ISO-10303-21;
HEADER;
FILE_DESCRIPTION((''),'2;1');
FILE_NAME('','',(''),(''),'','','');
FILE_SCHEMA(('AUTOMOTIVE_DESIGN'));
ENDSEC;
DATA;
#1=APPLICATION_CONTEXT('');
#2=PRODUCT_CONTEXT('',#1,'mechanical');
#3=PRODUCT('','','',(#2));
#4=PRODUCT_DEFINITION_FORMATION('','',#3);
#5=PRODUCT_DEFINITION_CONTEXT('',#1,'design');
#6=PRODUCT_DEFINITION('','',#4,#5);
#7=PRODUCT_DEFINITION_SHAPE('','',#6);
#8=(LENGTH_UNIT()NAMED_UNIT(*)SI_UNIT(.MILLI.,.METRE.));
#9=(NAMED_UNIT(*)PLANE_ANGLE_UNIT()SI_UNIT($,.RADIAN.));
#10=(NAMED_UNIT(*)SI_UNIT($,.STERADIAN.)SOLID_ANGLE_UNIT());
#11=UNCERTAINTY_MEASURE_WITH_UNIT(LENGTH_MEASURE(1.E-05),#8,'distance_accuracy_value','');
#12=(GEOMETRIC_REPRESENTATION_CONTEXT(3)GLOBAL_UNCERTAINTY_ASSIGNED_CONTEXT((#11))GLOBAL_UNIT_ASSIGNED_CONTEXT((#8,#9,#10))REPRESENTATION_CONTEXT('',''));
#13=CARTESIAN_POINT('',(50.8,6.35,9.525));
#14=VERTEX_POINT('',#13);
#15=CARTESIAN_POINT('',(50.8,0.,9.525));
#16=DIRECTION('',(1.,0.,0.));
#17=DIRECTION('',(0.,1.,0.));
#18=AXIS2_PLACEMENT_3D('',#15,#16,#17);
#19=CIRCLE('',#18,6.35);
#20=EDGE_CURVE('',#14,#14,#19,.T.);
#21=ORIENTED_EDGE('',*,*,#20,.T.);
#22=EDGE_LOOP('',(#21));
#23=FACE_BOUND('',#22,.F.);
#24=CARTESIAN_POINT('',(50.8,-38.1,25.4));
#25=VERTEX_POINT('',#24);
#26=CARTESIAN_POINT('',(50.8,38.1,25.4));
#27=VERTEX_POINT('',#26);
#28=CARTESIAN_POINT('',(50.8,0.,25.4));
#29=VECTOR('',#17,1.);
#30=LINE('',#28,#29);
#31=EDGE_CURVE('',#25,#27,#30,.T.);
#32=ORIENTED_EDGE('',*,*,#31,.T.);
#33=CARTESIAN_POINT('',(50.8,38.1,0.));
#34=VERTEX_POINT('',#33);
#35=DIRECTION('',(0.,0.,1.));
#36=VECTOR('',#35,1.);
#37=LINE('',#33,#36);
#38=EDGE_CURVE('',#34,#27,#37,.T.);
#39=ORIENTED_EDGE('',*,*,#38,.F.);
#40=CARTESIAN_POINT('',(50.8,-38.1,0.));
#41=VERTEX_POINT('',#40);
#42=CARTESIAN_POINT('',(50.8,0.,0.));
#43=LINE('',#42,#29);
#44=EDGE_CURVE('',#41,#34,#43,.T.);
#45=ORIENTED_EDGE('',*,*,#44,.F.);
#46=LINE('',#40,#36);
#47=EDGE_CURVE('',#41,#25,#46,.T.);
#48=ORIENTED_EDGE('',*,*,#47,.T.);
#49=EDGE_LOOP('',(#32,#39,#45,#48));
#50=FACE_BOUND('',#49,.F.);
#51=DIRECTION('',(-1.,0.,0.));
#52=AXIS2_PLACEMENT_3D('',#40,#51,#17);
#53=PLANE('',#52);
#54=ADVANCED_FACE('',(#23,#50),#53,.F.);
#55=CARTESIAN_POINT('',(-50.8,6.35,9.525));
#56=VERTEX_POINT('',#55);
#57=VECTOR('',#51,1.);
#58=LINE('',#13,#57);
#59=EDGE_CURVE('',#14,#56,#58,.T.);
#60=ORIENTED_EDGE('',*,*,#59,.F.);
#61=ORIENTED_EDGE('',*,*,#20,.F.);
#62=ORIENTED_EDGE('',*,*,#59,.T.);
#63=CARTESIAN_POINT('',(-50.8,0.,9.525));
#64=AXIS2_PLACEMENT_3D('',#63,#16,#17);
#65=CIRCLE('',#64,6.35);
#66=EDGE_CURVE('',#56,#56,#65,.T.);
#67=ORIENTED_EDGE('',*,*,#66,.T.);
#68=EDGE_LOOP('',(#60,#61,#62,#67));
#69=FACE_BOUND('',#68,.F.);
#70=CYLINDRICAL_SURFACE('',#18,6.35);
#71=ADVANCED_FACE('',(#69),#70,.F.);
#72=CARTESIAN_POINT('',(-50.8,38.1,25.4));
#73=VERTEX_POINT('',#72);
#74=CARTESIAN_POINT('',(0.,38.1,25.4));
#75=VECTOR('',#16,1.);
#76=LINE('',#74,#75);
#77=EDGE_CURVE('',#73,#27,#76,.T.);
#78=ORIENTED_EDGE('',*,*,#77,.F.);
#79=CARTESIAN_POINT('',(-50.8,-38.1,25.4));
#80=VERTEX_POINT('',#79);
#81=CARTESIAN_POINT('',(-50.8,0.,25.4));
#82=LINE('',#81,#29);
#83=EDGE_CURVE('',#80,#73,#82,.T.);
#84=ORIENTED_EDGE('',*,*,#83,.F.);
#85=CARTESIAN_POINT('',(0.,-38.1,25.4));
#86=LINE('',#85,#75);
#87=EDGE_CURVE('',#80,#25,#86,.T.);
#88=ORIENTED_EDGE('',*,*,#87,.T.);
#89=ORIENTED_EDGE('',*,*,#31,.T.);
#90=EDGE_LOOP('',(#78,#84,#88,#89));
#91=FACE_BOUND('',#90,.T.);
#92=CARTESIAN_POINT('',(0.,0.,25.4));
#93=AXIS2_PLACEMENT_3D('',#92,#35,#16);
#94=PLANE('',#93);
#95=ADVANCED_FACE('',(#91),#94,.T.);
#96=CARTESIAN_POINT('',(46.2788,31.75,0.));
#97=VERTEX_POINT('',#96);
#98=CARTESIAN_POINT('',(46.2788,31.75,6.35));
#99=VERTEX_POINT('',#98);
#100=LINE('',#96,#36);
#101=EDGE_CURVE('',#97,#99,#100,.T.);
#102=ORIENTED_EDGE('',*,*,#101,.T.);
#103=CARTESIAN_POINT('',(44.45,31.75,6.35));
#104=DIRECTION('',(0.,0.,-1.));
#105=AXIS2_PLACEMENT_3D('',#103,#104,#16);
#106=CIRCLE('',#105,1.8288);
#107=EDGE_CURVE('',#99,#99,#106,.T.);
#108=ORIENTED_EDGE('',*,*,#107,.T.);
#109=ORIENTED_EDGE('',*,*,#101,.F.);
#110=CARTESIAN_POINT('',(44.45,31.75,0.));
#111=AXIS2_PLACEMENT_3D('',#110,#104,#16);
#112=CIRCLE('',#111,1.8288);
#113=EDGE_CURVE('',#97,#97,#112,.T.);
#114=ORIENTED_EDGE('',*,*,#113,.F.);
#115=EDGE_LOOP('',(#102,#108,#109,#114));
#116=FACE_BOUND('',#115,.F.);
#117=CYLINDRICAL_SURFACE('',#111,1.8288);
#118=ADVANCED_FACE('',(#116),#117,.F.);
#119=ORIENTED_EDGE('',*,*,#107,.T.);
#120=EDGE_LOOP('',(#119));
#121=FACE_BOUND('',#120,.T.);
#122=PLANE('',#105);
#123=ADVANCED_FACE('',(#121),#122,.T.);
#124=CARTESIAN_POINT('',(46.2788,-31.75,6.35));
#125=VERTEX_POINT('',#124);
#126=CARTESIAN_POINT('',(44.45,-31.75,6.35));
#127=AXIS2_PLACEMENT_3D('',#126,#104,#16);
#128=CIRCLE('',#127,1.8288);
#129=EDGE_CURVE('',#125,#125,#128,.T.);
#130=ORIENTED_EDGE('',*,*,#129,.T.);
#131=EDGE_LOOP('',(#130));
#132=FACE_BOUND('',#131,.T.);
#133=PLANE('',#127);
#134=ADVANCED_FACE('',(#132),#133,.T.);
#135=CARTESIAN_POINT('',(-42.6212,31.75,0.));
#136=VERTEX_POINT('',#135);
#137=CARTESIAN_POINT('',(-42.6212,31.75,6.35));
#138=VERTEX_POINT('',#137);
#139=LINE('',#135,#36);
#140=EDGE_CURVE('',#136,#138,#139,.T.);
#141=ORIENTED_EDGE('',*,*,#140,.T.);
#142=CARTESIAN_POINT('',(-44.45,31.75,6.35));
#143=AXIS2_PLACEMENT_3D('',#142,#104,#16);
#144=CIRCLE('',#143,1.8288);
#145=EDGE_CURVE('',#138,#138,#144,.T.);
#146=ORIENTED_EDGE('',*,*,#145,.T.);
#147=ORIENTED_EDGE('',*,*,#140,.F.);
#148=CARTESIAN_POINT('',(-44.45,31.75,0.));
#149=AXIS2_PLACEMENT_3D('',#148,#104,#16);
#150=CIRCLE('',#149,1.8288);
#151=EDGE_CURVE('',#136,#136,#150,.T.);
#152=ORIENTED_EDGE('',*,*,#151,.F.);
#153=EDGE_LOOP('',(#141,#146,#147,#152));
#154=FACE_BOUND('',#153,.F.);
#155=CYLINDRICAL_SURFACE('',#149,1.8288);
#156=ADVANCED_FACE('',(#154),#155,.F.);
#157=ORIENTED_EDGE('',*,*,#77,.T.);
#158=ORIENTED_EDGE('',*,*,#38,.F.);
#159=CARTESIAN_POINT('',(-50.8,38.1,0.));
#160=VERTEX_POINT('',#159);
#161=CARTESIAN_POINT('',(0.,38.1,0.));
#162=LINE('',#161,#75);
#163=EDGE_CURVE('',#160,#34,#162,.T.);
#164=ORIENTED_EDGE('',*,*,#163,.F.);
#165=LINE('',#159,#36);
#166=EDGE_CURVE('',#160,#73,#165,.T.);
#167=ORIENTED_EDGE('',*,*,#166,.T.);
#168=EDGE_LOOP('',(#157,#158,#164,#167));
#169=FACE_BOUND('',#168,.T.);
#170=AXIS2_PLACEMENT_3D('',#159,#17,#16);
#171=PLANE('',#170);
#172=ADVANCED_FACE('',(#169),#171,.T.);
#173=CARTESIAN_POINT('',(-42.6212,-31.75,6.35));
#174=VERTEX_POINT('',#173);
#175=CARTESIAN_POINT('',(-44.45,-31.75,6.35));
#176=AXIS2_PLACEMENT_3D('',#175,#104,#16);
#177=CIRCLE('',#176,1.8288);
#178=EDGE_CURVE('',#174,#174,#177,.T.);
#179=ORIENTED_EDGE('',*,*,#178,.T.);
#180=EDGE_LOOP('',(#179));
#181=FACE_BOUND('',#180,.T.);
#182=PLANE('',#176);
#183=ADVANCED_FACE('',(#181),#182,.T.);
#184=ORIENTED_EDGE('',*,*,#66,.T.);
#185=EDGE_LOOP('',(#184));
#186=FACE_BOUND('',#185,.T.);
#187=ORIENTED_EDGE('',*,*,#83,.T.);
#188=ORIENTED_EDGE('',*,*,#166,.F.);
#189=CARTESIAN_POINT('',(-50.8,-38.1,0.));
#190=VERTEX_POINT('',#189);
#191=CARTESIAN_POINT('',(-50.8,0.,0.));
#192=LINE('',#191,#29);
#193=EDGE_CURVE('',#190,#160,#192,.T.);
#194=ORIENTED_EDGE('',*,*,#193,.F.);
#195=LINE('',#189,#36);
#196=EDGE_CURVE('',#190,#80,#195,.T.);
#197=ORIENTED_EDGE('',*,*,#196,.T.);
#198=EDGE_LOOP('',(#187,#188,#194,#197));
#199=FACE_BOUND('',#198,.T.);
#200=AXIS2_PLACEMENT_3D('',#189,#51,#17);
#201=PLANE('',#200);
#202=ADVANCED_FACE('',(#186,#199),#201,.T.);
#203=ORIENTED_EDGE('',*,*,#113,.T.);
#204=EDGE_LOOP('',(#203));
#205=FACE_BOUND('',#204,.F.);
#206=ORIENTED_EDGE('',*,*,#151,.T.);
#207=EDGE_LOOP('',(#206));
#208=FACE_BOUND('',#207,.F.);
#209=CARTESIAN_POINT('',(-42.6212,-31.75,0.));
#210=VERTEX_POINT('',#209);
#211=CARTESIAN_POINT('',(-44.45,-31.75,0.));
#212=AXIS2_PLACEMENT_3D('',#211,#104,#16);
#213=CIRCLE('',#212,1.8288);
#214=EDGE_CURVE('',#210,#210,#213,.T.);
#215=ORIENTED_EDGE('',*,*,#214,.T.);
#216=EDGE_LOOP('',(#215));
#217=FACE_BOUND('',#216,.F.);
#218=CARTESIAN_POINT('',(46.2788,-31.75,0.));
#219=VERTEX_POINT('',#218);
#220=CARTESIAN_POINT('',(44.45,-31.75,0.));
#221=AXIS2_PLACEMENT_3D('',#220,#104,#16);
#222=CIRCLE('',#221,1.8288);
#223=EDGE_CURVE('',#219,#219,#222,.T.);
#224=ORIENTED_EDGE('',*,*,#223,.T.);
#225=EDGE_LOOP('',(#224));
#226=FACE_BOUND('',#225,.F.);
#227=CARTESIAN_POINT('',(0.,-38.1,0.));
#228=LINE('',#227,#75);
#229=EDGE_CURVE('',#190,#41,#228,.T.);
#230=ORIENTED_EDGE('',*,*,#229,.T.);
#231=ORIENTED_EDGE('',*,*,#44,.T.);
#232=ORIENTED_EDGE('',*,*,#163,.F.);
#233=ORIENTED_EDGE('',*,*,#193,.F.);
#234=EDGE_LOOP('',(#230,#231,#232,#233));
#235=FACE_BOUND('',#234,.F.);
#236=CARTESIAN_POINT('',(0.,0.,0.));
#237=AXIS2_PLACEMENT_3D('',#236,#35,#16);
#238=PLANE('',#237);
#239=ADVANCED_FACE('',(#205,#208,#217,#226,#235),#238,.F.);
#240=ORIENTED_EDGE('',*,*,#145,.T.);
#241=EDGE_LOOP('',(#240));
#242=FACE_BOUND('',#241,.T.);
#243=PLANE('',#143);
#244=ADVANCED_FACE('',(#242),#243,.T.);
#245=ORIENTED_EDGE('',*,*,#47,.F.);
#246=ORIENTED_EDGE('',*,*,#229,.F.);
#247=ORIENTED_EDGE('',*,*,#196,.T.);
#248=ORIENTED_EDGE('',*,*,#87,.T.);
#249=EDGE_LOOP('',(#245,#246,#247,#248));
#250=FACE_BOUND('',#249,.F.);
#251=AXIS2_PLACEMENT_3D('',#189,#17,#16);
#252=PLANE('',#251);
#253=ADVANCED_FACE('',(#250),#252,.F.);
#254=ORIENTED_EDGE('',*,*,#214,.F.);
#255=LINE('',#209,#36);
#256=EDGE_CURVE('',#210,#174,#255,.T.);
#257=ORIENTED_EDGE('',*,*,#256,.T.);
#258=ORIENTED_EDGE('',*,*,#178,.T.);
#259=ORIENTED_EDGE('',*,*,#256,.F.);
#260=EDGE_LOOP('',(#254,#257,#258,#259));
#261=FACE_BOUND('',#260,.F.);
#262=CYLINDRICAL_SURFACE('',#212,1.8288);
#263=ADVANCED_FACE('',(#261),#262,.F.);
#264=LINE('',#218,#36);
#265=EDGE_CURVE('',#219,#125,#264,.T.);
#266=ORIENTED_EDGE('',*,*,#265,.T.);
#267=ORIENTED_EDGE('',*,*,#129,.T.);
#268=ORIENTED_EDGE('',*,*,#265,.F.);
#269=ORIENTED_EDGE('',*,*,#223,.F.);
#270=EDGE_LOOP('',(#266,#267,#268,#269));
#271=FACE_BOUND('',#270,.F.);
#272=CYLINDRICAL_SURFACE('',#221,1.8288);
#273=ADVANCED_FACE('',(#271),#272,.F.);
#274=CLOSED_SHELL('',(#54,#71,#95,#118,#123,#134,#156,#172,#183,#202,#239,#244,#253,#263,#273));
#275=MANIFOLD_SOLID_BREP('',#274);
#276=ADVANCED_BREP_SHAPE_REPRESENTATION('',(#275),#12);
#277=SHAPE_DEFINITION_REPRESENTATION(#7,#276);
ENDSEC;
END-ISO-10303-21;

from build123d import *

# Parameters (mm, degrees)
F0_W     = 101.6
F0_H     = 76.2
F1_DEPTH = 25.4
F2_R     = 6.35
F3_DEPTH = 101.6
F4_R     = 1.8288
F5_DEPTH = 6.35


with BuildPart() as f1:
    # F0 (on Top) → F1 (new body)
    with BuildSketch(Plane.XY):
        Rectangle(F0_W, F0_H)
    extrude(amount=F1_DEPTH)

    # F2 (on face) → F3 (cut)
    with BuildSketch(Plane.YZ.offset(50.8)):
        with Locations((0, 9.525)):
            Circle(F2_R)
    extrude(amount=-F3_DEPTH, mode=Mode.SUBTRACT)

    # F4 (on face) → F5 (cut)
    with BuildSketch(Plane(origin=(0, 0, 0), x_dir=(1, 0, 0), z_dir=(0, 0, -1))):
        with Locations((-44.45, 31.75)):
            Circle(F4_R)
        with Locations((-44.45, -31.75)):
            Circle(F4_R)
        with Locations((44.45, -31.75)):
            Circle(F4_R)
        with Locations((44.45, 31.75)):
            Circle(F4_R)
    extrude(amount=-F5_DEPTH, mode=Mode.SUBTRACT)


solid = f1.part
